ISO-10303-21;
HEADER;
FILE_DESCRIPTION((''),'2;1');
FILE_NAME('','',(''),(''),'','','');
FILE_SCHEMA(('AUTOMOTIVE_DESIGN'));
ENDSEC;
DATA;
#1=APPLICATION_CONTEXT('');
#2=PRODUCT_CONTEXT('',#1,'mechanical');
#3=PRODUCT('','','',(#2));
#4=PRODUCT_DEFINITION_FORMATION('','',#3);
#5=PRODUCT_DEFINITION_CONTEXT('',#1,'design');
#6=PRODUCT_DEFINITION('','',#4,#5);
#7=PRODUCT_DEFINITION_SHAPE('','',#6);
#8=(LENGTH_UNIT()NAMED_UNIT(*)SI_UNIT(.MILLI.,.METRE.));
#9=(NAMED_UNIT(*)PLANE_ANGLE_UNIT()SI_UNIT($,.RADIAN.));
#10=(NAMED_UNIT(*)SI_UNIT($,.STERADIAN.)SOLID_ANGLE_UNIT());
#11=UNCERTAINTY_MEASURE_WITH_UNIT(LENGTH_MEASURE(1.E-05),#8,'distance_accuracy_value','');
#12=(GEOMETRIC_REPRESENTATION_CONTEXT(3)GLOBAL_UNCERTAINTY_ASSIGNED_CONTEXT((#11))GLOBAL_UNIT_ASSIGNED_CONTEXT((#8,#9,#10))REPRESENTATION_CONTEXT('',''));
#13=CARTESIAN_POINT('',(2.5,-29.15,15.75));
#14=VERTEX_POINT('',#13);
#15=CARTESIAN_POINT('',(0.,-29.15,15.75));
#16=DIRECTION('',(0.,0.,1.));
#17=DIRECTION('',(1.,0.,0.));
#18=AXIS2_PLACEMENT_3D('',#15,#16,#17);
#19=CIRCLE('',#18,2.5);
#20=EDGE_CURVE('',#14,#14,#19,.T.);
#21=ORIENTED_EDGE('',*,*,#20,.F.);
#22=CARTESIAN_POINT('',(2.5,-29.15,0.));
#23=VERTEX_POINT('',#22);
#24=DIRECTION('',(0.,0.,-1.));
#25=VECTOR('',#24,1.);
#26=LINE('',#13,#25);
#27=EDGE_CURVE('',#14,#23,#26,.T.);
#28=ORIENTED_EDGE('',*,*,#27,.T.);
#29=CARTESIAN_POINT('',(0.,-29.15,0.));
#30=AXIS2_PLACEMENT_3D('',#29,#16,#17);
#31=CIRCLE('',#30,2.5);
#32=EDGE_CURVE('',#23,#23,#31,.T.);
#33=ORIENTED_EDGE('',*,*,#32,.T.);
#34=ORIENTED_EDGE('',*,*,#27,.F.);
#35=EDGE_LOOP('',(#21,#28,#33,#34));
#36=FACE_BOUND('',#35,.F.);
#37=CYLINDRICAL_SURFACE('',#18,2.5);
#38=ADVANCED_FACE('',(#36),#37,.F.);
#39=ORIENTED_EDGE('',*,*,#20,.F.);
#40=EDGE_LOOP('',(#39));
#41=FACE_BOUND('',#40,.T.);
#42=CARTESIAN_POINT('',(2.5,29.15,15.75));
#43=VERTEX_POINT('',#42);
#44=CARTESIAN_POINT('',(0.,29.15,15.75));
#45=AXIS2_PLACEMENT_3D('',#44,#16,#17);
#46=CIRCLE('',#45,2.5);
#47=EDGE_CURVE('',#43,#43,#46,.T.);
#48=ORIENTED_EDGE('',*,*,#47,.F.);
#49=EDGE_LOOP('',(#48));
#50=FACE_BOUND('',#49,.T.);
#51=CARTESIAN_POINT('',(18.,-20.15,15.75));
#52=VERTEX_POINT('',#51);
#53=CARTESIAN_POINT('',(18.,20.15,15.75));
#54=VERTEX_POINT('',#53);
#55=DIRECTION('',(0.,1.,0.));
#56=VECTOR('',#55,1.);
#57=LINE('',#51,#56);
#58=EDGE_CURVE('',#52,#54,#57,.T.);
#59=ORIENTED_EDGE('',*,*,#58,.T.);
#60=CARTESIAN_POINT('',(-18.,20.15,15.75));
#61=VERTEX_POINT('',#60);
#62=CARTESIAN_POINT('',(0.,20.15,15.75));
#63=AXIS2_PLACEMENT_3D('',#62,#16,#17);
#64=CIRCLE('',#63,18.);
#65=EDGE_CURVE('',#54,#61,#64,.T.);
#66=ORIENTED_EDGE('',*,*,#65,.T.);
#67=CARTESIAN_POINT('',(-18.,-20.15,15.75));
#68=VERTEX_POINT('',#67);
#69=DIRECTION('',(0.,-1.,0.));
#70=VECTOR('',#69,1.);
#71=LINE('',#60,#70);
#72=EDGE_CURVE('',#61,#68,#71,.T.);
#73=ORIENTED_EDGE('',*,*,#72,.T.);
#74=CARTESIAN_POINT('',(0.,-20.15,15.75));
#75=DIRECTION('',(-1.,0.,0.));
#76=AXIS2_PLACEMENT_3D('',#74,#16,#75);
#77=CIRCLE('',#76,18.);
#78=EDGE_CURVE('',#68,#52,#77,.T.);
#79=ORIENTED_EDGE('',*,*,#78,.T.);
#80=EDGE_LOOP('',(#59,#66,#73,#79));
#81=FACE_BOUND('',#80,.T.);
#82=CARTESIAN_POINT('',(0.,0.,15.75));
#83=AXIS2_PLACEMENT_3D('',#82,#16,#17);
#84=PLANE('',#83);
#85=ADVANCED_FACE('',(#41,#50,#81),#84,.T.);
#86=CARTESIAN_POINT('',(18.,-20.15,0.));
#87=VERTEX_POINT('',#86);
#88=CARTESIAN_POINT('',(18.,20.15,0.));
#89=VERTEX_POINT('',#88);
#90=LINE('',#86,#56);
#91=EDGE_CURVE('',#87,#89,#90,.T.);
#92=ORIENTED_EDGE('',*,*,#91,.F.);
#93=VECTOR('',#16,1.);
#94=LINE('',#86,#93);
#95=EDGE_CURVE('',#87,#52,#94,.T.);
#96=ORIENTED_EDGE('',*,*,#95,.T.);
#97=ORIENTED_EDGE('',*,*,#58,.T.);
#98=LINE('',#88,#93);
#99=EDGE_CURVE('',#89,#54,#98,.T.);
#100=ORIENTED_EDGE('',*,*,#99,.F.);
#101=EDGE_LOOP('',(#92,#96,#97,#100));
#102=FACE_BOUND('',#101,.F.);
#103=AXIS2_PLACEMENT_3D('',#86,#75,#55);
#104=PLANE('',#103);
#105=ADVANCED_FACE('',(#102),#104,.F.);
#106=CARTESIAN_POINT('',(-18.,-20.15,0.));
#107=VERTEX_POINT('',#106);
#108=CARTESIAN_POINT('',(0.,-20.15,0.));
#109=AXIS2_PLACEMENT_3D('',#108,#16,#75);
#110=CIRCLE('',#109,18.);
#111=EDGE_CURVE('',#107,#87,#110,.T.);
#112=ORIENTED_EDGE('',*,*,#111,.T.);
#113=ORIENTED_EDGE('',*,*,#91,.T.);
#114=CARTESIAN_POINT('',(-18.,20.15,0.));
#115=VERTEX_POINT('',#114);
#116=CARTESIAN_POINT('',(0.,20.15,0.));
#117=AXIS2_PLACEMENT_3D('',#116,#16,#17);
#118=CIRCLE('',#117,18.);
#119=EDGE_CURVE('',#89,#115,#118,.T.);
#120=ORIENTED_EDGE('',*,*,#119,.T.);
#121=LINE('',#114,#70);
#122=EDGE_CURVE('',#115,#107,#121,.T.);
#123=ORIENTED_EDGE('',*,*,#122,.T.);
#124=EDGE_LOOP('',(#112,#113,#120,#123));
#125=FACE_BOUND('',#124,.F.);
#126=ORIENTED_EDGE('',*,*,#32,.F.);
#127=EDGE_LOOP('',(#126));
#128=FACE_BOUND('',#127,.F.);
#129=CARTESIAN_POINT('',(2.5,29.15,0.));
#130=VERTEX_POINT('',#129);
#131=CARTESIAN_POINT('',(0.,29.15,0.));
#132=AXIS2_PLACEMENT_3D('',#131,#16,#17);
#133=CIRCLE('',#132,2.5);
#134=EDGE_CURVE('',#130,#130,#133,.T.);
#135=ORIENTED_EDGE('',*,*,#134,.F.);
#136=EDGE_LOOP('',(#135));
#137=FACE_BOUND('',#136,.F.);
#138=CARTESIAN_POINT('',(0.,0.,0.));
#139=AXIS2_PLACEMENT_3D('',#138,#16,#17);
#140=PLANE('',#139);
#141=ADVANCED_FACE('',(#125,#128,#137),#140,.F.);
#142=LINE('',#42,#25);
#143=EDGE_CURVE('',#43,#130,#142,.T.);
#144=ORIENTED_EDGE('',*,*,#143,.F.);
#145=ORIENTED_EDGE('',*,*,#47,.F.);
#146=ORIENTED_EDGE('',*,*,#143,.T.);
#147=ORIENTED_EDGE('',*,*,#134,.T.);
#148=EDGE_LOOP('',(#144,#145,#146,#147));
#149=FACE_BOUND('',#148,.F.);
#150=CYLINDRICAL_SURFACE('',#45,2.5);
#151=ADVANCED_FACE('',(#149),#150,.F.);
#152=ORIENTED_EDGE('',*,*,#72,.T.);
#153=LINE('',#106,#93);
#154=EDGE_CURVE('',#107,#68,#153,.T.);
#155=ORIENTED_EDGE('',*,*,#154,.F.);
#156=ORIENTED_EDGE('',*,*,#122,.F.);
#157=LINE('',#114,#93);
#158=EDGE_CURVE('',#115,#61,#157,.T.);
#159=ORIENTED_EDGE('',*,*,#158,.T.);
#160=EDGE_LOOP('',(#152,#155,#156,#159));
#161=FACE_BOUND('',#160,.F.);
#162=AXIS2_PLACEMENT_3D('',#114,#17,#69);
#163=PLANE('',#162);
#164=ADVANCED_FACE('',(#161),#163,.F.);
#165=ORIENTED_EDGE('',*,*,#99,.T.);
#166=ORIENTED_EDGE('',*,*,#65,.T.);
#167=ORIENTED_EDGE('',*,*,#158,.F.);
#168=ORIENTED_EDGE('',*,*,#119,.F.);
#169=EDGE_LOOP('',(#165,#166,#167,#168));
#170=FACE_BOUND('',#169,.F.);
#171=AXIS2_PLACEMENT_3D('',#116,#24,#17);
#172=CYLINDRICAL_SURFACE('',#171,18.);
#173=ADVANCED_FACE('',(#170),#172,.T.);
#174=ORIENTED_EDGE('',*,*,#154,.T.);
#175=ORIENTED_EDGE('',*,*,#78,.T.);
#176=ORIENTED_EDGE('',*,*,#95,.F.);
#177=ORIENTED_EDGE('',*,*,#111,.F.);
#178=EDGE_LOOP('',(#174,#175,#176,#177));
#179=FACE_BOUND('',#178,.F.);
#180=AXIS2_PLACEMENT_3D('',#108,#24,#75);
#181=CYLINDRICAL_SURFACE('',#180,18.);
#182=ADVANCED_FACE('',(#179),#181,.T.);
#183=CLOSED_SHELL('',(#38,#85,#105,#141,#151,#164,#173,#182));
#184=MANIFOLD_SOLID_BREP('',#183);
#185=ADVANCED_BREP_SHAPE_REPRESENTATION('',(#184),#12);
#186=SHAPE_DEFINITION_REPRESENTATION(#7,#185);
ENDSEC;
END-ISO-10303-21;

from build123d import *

# Parameters (mm, degrees)
F1_DEPTH = 15.75
F2_R     = 2.5
F3_DEPTH = 15.751


with BuildPart() as f1:
    # F0 (on Top) → F1 (new body)
    with BuildSketch(Plane.XY):
        with BuildLine():
            ThreePointArc((18, 20.15), (0, 38.15), (-18, 20.15))
            Line((-18, 20.15), (-18, -20.15))
            ThreePointArc((-18, -20.15), (0, -38.15), (18, -20.15))
            Line((18, -20.15), (18, 20.15))
        make_face()
    extrude(amount=F1_DEPTH)

    # F2 (on face) → F3 (cut, through all)
    with BuildSketch(Plane.XY.offset(15.75)):
        with Locations((0, 29.15)):
            Circle(F2_R)
        with Locations((0, -29.15)):
            Circle(F2_R)
    extrude(amount=-F3_DEPTH, mode=Mode.SUBTRACT)


solid = f1.part
